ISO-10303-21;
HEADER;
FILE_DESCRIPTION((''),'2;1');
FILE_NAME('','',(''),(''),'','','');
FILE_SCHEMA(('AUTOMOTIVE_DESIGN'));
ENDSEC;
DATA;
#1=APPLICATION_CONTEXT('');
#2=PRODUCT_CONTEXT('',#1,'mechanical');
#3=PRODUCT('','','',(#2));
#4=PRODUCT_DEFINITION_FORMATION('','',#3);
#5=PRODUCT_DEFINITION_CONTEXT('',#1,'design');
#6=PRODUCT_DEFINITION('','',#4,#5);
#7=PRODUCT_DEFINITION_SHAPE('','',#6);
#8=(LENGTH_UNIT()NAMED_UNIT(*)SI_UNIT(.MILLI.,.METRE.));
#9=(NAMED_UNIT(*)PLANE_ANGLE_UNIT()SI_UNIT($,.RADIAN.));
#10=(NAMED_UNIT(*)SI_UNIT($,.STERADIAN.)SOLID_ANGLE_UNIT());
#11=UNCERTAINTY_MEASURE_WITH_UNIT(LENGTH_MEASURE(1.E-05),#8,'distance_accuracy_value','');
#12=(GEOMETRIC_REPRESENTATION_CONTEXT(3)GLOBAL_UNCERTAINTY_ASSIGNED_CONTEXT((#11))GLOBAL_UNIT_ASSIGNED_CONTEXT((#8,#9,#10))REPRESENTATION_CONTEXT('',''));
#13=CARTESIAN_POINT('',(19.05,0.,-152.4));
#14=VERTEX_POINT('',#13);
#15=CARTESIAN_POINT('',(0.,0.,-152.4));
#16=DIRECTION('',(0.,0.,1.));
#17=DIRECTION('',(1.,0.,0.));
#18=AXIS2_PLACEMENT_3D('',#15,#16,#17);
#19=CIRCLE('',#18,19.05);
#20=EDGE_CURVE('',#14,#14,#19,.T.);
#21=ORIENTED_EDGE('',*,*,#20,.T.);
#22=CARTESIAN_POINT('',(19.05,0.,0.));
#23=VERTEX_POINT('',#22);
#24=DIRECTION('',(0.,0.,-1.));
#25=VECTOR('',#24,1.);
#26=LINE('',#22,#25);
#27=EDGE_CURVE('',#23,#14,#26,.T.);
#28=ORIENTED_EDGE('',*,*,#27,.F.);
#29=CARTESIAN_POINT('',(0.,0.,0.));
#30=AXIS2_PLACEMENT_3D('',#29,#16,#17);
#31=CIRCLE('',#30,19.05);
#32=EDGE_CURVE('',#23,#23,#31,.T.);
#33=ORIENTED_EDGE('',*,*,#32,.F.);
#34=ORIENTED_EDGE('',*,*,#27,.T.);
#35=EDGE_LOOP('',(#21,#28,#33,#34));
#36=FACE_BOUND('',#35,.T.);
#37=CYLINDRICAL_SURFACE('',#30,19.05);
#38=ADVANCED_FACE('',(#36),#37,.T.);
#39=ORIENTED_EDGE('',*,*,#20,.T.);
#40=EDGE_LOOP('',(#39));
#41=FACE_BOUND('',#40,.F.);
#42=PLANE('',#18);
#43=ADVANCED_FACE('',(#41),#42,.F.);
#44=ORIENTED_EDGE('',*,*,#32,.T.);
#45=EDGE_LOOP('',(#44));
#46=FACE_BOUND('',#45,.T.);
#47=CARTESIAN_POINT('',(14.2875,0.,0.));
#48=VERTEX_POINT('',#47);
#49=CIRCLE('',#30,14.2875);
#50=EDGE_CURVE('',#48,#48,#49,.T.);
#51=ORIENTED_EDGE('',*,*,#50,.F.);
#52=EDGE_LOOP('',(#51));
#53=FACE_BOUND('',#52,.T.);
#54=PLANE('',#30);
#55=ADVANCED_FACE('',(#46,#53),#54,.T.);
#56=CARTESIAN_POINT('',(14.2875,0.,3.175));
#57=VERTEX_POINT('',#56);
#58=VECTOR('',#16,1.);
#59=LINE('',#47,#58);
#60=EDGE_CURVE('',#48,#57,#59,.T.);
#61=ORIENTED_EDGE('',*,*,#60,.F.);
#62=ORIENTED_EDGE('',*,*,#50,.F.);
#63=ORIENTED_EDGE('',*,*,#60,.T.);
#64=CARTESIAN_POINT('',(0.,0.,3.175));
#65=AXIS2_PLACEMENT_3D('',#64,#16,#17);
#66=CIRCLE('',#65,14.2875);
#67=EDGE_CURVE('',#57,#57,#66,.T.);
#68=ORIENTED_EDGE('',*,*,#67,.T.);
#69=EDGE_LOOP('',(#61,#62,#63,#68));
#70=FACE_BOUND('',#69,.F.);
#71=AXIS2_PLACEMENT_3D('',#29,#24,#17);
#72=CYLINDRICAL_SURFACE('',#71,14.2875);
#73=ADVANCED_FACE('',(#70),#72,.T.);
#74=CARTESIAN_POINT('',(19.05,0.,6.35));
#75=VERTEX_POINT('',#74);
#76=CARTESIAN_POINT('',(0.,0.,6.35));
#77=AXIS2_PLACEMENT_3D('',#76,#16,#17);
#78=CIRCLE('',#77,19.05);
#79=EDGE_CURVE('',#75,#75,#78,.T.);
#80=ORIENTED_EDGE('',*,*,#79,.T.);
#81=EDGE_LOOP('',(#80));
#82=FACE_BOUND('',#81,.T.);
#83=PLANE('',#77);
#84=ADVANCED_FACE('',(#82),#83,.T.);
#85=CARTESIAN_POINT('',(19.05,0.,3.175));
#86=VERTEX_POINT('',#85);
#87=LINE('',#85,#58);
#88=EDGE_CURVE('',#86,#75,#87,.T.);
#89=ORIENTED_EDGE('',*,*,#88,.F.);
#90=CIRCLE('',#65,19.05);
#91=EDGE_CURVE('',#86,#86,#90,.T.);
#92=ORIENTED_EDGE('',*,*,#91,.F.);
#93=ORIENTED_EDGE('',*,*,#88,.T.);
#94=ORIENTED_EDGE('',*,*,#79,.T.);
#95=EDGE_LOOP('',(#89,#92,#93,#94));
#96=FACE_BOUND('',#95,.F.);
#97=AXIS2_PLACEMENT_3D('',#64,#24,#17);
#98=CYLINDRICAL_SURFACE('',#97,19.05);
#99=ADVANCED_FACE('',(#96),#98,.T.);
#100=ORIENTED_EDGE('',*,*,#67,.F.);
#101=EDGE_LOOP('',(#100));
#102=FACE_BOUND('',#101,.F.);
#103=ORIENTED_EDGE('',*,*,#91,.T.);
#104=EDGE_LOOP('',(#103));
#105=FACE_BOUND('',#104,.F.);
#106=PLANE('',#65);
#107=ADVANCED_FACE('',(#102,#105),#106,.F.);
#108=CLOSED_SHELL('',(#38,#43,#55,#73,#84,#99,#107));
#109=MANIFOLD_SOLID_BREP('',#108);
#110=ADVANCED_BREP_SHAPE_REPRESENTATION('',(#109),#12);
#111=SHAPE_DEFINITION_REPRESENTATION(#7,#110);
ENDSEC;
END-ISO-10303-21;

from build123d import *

# Parameters (mm, degrees)
F0_R     = 19.05
F1_DEPTH = 152.4
F2_R     = 14.2875
F3_DEPTH = 3.175
F4_R     = 19.05
F5_DEPTH = 3.175


with BuildPart() as f1:
    # F0 (on Top) → F1 (new body)
    with BuildSketch(Plane.XY):
        Circle(F0_R)
    extrude(amount=-F1_DEPTH)

    # F2 (on face) → F3 (join)
    with BuildSketch(Plane.XY):
        Circle(F2_R)
    extrude(amount=F3_DEPTH)

    # F4 (on face) → F5 (join)
    with BuildSketch(Plane.XY.offset(3.175)):
        Circle(F4_R)
    extrude(amount=F5_DEPTH)


solid = f1.part
